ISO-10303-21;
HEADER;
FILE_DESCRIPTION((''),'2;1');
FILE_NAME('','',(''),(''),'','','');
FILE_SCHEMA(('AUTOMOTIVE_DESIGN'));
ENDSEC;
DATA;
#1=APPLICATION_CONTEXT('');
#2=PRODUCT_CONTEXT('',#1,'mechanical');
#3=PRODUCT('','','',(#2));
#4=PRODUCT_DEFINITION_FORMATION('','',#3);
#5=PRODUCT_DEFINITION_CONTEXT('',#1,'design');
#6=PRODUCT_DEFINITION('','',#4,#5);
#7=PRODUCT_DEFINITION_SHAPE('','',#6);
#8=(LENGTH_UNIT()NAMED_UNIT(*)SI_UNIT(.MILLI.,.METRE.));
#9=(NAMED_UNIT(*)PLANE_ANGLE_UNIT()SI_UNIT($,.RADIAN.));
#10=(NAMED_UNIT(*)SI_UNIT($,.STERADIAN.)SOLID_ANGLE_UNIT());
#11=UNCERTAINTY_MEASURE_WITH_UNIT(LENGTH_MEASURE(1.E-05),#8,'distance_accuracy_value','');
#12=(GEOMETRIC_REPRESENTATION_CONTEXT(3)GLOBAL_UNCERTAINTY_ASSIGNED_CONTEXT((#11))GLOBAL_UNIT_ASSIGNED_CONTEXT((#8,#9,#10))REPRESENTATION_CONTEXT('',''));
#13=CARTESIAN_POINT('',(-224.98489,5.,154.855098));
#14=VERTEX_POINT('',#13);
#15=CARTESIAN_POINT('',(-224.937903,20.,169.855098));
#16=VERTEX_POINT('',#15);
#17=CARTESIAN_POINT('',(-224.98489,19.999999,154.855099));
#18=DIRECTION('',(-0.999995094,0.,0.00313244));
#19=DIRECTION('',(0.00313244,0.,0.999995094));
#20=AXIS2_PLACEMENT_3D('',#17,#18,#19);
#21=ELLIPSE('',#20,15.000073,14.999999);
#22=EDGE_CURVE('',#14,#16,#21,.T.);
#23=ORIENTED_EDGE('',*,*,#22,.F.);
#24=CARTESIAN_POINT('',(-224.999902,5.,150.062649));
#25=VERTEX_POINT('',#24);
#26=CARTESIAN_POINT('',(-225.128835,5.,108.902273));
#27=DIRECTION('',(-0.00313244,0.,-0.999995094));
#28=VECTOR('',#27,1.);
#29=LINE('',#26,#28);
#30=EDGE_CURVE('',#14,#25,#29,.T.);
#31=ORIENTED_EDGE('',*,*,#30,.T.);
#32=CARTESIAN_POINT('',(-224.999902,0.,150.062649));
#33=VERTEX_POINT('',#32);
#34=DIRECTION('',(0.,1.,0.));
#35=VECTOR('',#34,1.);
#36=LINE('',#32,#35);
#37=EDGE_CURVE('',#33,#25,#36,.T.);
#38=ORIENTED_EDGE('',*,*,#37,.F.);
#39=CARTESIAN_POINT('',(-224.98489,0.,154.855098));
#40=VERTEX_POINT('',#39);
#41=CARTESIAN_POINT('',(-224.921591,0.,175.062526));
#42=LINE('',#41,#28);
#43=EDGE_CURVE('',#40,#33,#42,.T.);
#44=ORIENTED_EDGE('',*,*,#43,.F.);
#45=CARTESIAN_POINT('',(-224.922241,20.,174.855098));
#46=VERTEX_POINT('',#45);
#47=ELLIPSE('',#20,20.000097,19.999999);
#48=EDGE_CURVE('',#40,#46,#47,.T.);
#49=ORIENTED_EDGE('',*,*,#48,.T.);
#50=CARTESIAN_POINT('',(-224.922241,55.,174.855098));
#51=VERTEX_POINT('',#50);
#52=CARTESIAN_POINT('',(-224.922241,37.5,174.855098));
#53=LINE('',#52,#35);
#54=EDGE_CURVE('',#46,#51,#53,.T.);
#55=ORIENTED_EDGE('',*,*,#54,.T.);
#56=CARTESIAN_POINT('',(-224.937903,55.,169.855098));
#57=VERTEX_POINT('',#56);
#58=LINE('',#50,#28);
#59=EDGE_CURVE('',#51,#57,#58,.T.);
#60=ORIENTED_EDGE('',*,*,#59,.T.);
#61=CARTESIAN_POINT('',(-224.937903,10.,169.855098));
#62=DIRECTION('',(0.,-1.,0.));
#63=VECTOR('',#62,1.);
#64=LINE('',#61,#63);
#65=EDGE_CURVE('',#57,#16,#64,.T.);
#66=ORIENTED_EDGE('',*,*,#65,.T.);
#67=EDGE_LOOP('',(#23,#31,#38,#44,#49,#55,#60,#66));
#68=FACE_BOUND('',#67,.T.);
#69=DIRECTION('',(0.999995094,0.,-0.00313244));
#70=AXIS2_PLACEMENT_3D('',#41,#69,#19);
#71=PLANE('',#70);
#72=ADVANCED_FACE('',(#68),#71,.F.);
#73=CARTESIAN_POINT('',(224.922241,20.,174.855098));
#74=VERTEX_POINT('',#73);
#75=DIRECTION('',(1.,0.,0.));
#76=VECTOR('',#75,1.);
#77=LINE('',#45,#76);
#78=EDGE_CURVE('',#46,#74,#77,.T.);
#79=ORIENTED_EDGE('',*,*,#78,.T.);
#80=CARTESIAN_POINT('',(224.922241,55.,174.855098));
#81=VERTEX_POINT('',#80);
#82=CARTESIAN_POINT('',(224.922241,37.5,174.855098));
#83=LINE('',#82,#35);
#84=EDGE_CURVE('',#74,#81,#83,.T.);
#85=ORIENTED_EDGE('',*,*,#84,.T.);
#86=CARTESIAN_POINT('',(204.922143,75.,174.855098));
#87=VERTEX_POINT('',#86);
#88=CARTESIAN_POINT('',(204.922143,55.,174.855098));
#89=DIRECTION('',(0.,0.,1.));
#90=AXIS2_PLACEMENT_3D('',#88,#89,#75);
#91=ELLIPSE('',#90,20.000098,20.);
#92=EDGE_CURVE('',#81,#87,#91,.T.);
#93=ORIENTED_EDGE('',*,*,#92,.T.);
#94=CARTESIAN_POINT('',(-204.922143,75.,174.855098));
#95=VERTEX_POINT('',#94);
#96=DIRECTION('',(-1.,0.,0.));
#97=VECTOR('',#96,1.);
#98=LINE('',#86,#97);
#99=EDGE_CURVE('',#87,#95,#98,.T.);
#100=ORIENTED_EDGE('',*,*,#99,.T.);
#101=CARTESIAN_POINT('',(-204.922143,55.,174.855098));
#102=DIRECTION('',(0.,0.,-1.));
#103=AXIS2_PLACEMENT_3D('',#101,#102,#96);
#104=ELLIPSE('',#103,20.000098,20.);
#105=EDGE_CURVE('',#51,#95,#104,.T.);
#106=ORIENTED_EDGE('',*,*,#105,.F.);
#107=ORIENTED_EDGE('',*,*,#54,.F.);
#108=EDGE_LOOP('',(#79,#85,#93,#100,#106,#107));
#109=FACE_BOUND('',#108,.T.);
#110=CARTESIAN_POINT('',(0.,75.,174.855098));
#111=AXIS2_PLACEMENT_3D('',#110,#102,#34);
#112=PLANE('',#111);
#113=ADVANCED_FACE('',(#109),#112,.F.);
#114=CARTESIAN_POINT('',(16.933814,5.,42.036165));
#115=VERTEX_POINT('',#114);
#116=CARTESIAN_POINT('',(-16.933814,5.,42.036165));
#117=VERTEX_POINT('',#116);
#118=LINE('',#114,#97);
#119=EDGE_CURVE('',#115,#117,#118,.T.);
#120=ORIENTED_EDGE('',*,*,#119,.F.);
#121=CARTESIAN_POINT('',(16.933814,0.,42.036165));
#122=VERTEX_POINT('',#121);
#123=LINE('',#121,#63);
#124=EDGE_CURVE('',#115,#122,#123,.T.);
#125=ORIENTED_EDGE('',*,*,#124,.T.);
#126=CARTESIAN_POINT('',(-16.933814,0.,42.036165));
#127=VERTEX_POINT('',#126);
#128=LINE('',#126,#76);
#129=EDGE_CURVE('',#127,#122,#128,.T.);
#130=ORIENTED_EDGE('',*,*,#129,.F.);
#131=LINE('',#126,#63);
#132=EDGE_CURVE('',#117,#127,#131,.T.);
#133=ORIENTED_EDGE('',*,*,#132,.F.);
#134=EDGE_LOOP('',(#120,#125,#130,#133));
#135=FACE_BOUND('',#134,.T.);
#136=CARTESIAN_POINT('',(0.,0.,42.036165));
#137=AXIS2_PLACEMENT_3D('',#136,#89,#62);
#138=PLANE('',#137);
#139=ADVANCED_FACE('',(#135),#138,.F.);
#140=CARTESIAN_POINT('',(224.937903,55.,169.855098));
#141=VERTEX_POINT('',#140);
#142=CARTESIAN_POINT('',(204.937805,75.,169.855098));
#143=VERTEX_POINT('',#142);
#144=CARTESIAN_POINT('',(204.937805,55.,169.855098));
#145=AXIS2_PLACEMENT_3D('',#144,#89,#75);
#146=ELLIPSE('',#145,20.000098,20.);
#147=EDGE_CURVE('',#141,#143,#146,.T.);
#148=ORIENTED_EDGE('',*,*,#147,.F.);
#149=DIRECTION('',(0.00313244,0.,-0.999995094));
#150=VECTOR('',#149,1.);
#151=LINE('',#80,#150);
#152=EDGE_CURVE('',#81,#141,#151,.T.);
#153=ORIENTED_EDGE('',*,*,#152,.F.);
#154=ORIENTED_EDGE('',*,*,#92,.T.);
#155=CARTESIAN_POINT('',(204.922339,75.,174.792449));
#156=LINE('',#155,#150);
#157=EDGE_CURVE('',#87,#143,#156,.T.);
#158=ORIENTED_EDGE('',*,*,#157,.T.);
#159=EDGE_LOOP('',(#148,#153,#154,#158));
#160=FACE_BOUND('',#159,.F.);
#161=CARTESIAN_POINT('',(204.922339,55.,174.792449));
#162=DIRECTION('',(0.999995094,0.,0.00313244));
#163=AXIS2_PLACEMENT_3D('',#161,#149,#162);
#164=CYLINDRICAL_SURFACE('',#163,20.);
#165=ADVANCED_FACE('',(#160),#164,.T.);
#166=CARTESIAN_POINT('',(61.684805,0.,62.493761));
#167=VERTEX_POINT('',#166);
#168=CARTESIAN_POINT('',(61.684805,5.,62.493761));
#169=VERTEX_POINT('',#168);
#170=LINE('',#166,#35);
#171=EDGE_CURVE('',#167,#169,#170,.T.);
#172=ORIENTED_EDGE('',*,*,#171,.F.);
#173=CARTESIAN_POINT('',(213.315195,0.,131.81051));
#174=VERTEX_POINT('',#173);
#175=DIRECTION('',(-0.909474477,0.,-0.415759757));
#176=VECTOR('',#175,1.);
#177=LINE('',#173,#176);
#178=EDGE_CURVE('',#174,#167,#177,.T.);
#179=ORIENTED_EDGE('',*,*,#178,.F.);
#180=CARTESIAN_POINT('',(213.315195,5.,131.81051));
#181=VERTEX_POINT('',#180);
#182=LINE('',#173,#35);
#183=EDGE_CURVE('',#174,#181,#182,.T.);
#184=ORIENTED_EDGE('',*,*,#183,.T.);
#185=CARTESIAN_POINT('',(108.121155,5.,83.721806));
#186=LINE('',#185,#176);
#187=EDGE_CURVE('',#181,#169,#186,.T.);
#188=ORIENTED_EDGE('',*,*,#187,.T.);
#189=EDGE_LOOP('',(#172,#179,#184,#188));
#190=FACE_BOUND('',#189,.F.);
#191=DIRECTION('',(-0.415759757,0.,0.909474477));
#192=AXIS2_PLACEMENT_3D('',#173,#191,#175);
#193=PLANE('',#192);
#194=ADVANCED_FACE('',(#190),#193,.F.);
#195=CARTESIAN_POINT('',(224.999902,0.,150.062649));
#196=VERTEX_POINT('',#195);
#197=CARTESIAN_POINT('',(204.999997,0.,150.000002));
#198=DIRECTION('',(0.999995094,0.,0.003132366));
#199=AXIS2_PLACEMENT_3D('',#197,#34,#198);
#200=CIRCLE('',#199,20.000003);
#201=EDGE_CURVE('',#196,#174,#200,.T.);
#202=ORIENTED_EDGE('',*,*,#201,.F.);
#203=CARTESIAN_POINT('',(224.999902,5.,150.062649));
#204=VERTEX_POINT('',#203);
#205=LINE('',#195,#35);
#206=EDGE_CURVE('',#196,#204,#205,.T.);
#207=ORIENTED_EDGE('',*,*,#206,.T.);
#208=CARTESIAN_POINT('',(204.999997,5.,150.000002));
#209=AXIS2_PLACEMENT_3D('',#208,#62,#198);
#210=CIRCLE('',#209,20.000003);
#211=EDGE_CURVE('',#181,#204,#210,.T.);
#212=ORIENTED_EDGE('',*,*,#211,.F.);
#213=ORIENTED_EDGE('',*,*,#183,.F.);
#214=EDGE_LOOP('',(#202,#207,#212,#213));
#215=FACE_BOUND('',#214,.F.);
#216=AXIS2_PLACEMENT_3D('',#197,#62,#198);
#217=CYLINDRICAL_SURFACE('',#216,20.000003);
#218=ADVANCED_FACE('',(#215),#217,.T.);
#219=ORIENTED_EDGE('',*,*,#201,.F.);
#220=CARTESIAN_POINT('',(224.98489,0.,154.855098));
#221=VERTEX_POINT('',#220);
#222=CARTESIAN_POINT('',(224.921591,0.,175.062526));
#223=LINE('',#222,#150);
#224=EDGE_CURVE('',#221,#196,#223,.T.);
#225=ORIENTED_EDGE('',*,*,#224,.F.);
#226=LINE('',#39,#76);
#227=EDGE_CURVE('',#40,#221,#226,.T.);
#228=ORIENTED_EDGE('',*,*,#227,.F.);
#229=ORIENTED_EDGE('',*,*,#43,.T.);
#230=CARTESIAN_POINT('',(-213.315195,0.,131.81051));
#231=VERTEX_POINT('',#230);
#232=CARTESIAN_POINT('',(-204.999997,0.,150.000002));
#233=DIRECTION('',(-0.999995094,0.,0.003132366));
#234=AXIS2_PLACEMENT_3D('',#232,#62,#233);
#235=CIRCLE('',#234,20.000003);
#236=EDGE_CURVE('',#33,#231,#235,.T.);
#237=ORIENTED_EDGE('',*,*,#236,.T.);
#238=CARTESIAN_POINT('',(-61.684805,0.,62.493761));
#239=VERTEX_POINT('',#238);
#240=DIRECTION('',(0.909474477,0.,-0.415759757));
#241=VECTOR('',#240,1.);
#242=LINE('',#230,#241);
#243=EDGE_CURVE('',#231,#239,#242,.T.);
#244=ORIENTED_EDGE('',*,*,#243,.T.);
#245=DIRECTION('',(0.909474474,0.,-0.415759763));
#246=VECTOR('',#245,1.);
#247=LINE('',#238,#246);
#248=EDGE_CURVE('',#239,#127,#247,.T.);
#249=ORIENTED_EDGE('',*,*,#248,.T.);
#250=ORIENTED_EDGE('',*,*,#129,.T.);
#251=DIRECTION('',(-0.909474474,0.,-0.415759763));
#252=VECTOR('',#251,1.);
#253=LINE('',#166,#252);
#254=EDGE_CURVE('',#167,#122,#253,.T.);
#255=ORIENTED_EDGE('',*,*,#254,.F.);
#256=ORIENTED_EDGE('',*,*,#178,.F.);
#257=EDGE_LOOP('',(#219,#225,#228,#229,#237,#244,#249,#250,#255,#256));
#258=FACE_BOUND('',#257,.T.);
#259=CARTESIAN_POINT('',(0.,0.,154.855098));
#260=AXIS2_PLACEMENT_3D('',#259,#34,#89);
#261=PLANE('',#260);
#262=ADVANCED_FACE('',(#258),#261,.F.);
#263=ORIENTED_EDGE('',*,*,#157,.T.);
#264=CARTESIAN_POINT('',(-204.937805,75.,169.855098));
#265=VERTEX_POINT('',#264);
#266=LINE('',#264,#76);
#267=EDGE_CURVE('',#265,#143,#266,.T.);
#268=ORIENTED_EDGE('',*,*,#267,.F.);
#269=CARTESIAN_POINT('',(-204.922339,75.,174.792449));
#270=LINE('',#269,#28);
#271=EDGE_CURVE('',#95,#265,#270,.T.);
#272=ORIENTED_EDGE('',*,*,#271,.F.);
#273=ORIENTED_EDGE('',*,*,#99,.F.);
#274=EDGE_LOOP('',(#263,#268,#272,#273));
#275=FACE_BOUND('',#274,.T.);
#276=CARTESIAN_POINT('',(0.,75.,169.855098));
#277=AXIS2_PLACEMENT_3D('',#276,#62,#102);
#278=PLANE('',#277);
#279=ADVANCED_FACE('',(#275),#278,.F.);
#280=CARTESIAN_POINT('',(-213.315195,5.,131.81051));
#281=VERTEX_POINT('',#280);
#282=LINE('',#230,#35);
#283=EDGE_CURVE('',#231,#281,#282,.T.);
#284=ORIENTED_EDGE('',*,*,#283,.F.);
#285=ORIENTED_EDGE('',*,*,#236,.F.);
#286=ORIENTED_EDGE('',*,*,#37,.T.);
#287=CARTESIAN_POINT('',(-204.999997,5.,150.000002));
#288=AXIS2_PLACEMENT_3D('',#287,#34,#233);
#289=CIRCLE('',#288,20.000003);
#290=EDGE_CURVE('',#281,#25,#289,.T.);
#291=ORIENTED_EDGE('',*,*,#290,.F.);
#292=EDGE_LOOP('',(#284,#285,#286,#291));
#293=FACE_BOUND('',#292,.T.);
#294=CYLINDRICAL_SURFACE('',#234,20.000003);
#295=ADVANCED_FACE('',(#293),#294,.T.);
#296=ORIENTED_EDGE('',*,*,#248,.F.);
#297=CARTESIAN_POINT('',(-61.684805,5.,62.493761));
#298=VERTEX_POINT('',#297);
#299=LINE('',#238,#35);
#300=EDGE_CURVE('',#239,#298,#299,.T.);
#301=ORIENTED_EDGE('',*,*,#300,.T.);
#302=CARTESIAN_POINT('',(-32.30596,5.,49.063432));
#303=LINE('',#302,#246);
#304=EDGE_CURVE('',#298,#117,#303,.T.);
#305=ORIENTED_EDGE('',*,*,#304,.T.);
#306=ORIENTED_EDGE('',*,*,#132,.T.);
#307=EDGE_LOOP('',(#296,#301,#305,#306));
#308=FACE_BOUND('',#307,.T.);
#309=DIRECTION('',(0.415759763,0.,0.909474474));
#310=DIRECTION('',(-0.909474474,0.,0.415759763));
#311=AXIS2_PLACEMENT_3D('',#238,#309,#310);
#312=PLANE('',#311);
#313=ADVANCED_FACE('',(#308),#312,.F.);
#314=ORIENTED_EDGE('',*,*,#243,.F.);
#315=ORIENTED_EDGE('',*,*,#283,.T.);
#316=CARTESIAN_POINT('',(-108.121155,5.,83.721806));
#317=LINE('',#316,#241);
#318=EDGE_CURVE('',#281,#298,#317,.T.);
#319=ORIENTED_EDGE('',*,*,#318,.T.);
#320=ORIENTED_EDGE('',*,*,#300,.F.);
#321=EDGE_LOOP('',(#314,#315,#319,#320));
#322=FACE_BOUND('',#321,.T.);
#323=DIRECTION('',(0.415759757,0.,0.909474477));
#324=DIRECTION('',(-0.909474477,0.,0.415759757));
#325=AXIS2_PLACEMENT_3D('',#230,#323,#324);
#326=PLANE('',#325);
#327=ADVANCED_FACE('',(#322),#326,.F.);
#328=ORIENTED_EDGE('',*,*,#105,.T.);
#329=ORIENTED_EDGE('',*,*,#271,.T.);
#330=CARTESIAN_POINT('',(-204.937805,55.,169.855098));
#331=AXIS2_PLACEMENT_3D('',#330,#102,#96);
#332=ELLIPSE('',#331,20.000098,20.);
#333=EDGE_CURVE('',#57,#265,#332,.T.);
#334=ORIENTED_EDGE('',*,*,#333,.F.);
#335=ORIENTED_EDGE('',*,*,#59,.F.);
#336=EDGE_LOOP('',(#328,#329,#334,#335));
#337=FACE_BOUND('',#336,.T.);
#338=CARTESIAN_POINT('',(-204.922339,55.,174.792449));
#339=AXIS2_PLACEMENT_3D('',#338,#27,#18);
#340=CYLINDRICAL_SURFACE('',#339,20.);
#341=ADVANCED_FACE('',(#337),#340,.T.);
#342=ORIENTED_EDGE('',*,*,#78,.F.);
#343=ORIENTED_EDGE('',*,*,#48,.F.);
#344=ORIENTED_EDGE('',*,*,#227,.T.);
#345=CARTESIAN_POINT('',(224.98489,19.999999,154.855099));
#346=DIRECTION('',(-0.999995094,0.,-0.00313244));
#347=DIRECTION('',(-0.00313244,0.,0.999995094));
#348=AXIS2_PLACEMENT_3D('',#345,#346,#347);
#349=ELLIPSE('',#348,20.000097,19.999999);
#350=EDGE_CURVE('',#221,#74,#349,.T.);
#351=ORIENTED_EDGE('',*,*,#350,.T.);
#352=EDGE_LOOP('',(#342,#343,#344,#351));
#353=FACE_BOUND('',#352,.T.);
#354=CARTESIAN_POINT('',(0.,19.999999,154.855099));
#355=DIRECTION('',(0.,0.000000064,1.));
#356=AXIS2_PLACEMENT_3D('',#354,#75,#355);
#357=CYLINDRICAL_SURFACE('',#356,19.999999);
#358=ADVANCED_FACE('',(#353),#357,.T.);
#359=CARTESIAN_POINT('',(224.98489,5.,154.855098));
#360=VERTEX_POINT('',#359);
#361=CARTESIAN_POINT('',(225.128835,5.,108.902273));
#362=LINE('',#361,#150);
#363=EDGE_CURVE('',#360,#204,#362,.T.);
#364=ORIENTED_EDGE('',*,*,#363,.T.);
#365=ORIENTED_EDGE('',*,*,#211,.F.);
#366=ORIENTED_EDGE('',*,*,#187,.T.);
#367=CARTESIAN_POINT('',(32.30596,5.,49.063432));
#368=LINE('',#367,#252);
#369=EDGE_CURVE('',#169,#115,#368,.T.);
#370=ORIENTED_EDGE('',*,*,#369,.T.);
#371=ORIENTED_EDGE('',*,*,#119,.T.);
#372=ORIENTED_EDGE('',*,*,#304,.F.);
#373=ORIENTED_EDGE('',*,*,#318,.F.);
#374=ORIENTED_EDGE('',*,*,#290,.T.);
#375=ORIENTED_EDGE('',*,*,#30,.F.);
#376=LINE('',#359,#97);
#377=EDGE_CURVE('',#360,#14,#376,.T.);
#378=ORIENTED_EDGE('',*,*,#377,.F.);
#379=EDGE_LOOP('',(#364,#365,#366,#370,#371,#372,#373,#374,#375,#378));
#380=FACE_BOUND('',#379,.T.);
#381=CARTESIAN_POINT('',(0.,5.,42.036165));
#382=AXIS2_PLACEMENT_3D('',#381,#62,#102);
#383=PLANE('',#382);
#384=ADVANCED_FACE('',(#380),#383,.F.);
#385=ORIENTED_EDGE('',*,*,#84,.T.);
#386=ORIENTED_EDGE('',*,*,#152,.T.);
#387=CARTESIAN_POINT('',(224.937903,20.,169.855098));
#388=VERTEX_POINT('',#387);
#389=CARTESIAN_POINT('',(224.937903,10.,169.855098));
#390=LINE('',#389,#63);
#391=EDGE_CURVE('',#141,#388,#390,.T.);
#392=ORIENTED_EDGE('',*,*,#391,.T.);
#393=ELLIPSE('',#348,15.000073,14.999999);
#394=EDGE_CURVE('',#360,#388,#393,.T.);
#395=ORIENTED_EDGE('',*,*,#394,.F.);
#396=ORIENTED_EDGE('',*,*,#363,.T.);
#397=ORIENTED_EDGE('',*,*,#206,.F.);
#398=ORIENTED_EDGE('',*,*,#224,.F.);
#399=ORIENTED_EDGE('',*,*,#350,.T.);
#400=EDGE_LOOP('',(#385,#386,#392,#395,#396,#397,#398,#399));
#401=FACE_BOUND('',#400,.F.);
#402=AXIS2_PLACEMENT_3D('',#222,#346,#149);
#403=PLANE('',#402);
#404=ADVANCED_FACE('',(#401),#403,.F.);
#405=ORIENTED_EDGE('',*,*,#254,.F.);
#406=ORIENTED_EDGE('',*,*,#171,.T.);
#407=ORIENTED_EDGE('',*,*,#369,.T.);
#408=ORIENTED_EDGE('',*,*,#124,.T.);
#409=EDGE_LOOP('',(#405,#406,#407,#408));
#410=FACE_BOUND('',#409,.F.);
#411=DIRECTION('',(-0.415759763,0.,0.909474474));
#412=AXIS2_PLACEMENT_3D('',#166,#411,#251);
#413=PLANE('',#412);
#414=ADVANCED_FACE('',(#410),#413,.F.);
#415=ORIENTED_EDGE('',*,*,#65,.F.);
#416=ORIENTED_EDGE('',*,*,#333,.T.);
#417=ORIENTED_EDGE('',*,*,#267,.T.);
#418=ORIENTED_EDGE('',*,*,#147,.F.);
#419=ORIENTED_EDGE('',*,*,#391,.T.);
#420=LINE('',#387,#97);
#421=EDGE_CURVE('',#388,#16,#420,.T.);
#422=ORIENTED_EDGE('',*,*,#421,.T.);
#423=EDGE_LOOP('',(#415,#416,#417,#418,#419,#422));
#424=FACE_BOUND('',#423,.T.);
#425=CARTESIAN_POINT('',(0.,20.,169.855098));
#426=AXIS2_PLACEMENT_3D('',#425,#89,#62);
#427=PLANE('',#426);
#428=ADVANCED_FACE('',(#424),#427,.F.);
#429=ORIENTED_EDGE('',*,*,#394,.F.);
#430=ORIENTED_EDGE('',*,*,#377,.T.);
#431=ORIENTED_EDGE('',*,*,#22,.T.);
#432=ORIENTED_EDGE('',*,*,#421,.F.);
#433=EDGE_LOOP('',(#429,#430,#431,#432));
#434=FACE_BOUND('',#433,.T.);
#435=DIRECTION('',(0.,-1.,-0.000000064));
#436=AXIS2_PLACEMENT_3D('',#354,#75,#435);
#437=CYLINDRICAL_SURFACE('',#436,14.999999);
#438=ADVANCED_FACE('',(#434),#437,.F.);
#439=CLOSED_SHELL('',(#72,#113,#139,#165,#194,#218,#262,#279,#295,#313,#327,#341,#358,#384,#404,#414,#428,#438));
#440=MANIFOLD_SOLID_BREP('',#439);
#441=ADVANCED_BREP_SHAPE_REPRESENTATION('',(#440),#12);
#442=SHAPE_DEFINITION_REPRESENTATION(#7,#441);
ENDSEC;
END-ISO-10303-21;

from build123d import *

# Parameters (mm, degrees)
F2_DEPTH = 250
F3_DEPTH = 100
F4_R     = 20


with BuildPart() as f2:
    # F1 (on Right) → F2 (new body)
    with BuildSketch(Plane.YZ):
        with BuildLine():
            Line((0, 154.855098), (0, 42.036165))
            Line((0, 42.036165), (5, 42.036165))
            Line((5, 42.036165), (5, 154.855098))
            ThreePointArc((5, 154.855098), (9.393398, 165.4617), (20, 169.855098))
            Line((20, 169.855098), (75, 169.855098))
            Line((75, 169.855098), (75, 174.855098))
            Line((75, 174.855098), (20, 174.855098))
            ThreePointArc((20, 174.855098), (5.857864, 168.997234), (0, 154.855098))
        make_face()
    extrude(amount=F2_DEPTH)

    # F0 (on Front) → F3 (cut)
    with BuildSketch(Plane.XZ):
        with BuildLine():
            Line((291.145295, 178.066522), (224.921591, 175.062526))
            Line((224.921591, 175.062526), (224.999902, 150.062649))
            ThreePointArc((224.999902, 150.062649), (221.844029, 139.216741), (213.315195, 131.81051))
            Line((213.315195, 131.81051), (61.684805, 62.493761))
            Line((61.684805, 62.493761), (-75.020296, 0))
            Line((-75.020296, 0), (292.977542, 0))
            Line((292.977542, 0), (291.145295, 62.493761))
            Line((291.145295, 62.493761), (291.145295, 178.066522))
        make_face()
    extrude(amount=-F3_DEPTH, mode=Mode.SUBTRACT)

    # F4
    f4_edges = [f2.edges().sort_by_distance(p)[0] for p in [
        (224.930072, 75, 172.355098),
    ]]
    fillet(f4_edges, radius=F4_R)

    # F5: F2 across plane


with BuildPart() as f2_1:
    add(f2.part)
    add(f2.part.mirror(Plane.YZ))


solid = f2_1.part
